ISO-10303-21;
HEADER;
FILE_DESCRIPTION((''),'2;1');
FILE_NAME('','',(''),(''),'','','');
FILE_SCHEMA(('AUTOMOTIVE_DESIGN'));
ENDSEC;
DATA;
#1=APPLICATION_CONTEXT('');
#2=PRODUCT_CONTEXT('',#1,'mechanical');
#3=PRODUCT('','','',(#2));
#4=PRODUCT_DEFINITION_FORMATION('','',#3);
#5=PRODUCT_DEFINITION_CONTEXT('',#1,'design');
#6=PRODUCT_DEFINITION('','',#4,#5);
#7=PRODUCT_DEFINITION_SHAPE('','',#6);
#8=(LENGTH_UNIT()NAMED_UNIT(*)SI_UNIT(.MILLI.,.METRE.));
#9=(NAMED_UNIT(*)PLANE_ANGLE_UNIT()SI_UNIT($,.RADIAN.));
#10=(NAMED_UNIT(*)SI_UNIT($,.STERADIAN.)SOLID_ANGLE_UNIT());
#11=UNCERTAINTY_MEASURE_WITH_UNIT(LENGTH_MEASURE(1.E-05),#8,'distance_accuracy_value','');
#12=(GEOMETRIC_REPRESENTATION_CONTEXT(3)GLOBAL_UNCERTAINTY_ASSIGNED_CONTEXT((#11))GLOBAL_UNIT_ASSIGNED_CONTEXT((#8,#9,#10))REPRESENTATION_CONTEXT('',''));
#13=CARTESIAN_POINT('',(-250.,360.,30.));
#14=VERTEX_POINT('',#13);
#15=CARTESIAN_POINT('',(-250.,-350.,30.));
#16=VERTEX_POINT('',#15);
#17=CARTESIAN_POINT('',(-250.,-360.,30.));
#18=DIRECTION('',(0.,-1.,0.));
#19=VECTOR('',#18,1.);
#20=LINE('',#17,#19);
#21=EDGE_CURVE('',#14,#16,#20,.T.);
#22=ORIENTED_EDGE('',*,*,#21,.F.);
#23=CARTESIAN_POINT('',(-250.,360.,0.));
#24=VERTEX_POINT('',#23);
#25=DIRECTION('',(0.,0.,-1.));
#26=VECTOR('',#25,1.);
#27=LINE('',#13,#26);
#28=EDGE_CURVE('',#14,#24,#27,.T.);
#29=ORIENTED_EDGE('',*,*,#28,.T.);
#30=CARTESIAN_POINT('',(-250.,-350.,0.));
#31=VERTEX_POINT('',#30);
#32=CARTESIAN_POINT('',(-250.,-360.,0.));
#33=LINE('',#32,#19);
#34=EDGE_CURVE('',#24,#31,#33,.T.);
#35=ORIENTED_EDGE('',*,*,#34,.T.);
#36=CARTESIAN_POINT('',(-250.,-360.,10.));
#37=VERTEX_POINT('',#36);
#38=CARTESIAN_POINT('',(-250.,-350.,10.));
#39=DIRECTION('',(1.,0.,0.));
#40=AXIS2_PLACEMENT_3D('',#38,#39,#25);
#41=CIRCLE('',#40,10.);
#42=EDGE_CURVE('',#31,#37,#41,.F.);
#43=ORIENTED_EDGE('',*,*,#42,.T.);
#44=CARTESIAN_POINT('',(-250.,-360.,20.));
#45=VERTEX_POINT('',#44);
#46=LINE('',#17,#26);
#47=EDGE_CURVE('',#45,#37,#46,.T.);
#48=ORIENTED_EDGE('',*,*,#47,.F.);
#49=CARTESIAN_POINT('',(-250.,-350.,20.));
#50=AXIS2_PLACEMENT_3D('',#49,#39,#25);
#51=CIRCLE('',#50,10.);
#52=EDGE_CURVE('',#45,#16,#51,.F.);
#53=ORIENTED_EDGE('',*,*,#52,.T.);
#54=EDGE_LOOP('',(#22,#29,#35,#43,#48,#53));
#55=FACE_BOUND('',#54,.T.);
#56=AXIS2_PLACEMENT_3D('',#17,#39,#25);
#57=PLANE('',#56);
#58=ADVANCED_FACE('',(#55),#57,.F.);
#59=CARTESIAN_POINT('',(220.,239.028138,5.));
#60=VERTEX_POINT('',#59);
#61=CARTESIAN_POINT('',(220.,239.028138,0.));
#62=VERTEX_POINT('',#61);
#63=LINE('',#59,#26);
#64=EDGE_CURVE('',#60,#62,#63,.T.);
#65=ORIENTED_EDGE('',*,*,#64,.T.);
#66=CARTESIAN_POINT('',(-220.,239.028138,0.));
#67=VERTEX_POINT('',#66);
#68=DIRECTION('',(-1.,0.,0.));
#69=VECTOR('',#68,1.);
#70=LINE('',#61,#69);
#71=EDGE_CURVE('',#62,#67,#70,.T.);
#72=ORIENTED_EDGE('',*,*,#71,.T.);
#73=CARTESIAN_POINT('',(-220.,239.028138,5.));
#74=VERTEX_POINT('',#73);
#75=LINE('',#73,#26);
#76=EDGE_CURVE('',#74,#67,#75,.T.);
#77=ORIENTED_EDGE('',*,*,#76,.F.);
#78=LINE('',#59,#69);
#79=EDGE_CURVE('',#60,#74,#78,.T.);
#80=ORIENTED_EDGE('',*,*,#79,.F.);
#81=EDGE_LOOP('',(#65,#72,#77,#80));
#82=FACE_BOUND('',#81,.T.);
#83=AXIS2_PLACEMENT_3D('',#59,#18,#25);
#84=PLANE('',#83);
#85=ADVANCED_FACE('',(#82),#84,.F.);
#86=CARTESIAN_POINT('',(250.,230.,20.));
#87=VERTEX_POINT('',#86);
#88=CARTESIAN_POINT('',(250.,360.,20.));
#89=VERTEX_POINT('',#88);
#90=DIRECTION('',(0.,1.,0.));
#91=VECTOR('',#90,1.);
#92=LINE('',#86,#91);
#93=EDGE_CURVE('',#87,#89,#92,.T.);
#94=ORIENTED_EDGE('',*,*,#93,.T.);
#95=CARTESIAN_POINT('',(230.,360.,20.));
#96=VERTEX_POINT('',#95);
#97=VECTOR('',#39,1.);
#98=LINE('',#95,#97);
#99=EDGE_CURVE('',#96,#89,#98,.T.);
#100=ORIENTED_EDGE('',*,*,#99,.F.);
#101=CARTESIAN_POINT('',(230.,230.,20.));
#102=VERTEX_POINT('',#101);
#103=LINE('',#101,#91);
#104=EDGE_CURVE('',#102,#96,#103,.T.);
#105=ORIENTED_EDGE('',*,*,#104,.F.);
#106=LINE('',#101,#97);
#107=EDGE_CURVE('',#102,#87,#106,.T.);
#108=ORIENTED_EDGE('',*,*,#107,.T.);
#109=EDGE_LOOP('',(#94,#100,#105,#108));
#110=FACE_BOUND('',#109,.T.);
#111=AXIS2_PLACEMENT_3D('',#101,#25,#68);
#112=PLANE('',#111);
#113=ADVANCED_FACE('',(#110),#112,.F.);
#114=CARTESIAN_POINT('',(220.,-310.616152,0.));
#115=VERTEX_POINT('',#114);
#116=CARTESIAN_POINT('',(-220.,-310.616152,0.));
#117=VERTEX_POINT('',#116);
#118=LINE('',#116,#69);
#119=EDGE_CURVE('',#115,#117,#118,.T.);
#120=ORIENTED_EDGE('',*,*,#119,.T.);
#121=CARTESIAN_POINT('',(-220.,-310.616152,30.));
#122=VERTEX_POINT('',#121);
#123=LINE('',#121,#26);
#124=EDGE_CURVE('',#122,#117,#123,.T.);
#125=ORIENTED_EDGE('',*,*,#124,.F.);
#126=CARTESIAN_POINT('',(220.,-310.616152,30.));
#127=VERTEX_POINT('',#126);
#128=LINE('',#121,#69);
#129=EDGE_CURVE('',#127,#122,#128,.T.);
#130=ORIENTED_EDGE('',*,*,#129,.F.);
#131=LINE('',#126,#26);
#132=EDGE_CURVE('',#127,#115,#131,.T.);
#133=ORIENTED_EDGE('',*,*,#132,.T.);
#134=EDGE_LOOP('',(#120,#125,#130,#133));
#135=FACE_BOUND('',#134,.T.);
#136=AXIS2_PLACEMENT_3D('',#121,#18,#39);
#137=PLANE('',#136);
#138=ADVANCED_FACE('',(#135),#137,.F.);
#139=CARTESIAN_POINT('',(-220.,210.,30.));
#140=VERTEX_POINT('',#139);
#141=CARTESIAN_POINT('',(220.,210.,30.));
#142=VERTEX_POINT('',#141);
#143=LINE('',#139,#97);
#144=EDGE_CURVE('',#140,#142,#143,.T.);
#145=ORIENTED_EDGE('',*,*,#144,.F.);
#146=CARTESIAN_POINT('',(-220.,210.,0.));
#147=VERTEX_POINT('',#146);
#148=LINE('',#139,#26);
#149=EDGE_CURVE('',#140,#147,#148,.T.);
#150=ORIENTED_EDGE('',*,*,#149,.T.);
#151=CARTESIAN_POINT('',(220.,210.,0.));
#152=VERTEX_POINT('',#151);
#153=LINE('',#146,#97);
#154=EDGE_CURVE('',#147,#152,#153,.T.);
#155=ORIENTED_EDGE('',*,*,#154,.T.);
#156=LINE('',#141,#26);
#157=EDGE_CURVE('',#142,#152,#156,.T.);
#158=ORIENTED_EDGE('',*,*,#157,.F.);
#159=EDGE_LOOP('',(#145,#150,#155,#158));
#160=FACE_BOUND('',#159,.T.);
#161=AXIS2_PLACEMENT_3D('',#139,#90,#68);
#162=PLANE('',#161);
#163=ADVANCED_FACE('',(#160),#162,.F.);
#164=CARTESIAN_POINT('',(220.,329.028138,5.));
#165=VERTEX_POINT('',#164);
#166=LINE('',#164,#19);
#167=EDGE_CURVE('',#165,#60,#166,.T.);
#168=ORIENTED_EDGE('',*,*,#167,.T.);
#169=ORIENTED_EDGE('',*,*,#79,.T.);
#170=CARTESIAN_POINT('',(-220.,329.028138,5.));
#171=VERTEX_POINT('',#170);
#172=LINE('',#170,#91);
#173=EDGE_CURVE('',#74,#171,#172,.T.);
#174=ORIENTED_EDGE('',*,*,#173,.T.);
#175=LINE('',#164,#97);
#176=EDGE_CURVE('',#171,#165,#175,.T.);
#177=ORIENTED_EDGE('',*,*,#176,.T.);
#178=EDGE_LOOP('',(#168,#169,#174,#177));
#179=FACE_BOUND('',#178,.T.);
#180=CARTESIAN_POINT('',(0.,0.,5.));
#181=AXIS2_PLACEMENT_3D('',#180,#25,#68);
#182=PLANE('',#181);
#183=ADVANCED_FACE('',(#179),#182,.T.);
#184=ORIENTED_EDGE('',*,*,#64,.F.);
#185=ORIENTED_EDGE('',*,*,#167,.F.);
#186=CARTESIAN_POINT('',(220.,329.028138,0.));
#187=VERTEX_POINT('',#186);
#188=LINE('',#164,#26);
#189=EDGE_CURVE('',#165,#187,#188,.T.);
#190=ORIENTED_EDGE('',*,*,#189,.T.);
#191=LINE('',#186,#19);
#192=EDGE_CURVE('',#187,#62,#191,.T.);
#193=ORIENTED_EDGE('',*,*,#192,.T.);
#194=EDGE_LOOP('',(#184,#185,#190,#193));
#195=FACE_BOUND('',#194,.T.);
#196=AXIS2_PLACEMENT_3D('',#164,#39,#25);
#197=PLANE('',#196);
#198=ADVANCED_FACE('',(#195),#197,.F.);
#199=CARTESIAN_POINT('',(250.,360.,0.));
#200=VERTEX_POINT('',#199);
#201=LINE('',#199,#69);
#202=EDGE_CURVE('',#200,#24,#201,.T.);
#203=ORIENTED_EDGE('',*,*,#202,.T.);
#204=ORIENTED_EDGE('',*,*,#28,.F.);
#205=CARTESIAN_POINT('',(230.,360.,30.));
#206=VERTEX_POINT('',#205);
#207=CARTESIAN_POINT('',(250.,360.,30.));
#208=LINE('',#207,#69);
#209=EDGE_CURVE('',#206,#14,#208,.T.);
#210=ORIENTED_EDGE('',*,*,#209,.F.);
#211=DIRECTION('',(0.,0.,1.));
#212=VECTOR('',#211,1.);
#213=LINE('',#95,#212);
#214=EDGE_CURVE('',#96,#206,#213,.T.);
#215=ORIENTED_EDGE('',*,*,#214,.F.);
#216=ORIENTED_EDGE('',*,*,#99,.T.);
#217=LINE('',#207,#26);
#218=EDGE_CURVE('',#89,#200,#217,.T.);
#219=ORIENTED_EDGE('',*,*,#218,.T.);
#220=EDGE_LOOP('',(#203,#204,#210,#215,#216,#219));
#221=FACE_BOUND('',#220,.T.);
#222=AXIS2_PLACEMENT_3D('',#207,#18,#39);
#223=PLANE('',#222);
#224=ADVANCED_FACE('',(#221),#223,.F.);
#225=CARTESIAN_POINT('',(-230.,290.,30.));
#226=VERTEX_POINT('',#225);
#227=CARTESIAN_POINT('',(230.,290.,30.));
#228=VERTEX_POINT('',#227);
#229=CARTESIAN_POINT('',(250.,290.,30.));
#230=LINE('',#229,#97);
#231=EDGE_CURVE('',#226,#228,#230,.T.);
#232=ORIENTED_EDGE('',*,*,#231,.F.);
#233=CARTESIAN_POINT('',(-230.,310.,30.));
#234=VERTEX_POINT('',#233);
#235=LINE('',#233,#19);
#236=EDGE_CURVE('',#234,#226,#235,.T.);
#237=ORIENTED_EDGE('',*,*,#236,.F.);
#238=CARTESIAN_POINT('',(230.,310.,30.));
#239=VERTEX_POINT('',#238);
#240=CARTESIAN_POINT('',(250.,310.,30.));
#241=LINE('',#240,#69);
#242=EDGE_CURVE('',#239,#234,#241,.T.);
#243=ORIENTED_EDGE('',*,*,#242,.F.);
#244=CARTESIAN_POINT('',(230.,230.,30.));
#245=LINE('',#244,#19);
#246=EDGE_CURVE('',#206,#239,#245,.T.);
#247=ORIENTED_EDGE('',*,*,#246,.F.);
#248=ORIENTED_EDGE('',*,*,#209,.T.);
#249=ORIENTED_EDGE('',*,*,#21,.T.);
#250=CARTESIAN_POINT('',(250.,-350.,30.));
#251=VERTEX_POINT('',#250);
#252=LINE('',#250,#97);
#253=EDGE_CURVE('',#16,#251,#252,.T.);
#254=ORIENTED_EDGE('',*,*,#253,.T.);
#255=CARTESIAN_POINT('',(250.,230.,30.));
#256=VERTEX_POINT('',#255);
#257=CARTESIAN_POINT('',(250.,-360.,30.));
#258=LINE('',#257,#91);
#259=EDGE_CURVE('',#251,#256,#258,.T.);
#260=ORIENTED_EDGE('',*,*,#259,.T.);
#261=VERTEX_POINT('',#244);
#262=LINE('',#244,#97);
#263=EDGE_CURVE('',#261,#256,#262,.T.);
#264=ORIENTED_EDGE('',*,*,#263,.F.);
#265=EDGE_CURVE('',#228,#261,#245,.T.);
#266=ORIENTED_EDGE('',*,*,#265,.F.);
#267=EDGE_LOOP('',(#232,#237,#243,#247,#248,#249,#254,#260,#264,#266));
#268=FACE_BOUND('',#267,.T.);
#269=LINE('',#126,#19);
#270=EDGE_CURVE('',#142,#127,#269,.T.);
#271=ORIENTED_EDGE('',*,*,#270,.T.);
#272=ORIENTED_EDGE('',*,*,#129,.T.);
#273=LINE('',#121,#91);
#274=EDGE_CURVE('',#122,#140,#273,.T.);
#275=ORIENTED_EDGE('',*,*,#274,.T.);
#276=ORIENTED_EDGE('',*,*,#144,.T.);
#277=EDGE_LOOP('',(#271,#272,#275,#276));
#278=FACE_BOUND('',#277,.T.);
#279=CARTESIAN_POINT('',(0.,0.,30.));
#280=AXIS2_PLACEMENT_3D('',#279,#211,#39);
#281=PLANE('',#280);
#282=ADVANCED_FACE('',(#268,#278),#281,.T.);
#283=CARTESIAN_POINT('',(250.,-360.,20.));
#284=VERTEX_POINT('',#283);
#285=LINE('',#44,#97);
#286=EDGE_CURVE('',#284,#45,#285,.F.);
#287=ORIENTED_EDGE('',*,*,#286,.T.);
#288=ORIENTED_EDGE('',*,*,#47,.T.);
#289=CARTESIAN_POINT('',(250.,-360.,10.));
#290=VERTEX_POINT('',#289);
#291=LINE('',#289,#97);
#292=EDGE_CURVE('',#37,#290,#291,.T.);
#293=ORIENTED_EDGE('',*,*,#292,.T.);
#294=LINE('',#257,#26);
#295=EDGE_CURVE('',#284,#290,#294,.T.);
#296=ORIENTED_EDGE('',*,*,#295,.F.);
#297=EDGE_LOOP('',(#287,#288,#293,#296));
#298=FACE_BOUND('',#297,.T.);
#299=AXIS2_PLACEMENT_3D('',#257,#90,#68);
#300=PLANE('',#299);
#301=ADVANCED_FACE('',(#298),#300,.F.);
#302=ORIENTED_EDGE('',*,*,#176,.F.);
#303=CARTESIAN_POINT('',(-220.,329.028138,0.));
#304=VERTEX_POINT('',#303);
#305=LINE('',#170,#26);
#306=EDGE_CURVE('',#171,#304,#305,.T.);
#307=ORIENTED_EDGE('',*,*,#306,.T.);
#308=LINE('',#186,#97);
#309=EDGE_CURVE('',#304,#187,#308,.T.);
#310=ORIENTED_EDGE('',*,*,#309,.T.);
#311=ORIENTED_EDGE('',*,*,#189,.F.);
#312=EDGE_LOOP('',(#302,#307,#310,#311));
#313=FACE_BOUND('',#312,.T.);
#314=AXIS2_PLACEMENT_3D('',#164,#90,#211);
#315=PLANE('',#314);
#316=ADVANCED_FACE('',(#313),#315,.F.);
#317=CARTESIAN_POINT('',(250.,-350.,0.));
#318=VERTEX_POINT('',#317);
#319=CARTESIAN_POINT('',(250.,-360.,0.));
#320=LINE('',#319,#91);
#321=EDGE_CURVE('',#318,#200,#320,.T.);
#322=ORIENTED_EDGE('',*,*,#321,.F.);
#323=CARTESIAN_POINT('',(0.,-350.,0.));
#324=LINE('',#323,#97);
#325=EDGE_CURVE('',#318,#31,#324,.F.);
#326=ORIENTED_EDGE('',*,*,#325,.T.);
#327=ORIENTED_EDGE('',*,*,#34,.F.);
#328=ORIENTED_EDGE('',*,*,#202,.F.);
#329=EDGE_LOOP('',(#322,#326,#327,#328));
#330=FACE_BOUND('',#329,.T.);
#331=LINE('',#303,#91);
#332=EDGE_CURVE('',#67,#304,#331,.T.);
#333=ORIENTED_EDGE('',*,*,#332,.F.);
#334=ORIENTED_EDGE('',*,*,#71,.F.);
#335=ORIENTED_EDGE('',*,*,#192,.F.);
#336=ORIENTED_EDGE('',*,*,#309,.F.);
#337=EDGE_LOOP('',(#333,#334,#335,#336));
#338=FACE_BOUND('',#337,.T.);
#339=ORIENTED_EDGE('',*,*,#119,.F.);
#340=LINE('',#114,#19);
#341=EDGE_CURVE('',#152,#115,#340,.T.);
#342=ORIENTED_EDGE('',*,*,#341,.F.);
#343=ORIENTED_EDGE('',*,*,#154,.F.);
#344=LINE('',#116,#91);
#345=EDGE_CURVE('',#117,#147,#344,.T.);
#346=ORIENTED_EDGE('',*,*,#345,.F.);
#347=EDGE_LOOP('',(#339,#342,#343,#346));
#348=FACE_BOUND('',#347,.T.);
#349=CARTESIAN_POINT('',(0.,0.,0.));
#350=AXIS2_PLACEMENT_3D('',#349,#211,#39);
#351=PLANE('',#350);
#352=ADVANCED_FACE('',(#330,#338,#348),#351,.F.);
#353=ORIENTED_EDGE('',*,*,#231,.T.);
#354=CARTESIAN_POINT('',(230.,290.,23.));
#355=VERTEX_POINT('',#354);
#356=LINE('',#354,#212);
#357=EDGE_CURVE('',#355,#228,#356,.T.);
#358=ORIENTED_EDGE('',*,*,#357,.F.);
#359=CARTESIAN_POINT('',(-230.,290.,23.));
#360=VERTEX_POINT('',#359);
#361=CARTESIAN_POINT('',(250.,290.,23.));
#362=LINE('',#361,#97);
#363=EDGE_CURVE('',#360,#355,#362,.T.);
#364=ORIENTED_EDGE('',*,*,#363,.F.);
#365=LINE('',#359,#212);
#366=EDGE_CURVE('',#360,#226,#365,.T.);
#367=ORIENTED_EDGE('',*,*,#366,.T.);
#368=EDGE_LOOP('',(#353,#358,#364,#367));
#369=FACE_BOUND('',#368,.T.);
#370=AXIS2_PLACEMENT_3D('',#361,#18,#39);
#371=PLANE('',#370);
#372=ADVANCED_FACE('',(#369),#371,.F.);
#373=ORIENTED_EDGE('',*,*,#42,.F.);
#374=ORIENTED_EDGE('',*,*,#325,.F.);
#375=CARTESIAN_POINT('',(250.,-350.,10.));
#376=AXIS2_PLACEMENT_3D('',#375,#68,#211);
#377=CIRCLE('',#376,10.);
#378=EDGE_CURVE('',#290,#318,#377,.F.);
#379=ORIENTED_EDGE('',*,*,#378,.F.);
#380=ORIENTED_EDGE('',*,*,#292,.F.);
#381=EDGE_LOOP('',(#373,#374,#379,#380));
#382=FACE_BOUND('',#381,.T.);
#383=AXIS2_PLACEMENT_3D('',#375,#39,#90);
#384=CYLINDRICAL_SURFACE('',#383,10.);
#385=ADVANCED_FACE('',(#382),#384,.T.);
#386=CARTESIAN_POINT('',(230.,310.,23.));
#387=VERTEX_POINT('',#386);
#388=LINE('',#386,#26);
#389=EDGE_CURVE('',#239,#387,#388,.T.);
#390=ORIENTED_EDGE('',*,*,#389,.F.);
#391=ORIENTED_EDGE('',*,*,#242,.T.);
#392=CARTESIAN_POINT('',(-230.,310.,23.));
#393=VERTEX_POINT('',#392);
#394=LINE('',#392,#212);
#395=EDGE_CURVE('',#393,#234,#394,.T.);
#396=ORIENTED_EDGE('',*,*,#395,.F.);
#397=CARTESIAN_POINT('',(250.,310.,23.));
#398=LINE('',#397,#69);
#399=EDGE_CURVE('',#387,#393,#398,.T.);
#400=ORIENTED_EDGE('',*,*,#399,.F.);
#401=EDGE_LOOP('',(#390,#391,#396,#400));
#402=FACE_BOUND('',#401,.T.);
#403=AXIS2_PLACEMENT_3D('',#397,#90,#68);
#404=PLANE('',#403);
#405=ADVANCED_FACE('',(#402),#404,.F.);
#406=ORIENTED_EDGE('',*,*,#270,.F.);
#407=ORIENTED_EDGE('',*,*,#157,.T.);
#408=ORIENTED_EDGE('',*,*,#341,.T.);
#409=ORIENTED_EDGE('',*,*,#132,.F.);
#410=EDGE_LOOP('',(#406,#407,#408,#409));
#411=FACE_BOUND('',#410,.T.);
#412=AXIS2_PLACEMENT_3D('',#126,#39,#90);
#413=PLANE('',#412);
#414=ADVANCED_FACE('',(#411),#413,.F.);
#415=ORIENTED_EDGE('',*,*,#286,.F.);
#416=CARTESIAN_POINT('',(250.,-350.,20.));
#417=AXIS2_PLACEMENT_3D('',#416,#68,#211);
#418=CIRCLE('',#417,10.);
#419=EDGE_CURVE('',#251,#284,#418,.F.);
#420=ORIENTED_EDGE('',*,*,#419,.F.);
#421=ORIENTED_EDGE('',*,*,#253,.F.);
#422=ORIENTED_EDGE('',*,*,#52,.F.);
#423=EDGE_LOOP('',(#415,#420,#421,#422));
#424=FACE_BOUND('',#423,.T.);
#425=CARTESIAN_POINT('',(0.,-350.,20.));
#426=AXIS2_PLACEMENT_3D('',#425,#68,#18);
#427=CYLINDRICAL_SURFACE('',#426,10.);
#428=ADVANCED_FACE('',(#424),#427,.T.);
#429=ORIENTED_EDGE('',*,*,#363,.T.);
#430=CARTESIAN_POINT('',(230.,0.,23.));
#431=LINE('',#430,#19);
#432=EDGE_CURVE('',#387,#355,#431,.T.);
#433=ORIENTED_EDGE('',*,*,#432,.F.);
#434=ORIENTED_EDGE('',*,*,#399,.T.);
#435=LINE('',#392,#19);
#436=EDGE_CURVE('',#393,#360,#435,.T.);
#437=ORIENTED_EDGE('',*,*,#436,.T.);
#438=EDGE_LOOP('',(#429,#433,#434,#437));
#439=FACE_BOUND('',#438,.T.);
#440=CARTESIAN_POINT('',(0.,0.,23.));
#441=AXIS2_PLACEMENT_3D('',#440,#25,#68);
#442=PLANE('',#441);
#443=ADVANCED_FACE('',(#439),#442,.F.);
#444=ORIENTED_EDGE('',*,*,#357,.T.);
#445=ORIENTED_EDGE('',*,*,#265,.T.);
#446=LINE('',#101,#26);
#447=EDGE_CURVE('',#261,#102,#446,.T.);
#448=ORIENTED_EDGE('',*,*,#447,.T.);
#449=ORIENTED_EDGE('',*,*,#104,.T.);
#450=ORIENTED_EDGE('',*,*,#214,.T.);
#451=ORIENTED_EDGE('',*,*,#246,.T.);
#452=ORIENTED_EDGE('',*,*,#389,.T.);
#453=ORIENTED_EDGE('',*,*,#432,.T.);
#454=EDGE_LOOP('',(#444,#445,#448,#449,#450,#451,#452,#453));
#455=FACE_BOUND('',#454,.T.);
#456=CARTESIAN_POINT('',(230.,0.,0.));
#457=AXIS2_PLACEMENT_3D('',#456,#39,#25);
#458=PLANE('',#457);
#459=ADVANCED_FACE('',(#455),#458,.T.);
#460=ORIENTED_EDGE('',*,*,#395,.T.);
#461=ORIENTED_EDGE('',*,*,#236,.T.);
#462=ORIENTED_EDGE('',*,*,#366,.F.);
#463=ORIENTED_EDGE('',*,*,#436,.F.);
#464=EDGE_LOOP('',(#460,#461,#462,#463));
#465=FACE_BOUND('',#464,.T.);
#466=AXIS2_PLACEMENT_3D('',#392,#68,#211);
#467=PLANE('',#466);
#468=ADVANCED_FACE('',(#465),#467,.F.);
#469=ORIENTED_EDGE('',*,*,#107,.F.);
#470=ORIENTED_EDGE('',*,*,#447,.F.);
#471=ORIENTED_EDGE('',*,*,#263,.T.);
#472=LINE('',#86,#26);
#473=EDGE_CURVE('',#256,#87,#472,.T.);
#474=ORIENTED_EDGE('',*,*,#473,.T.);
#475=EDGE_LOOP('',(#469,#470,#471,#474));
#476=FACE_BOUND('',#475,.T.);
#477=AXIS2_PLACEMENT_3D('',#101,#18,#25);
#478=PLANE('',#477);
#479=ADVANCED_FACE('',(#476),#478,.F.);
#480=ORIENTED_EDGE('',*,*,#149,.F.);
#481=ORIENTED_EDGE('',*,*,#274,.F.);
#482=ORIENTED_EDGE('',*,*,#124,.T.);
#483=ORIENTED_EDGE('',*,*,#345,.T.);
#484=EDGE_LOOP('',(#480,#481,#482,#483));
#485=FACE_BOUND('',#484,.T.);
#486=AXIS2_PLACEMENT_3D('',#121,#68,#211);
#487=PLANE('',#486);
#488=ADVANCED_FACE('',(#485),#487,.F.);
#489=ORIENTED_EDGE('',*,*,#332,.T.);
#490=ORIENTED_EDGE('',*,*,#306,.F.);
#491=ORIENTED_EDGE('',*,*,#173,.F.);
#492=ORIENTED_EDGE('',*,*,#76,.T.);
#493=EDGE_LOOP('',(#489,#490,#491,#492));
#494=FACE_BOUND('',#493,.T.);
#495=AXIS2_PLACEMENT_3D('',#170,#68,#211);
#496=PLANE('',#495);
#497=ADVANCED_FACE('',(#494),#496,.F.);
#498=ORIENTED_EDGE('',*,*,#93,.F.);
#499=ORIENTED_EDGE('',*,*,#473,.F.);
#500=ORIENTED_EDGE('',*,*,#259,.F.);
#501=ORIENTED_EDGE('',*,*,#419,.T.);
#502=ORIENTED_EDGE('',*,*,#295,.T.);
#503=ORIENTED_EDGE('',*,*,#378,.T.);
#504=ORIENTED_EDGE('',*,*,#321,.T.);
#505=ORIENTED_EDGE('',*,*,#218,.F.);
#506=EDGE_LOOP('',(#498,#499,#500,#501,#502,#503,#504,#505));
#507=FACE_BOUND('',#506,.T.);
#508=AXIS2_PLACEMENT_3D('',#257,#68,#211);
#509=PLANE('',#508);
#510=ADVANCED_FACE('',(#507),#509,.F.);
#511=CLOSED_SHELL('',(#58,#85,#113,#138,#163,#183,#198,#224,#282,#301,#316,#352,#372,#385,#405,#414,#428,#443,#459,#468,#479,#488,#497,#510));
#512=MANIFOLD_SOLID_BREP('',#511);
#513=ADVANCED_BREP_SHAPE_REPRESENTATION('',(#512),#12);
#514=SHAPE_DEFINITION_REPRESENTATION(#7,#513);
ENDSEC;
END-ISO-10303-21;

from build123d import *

# Parameters (mm, degrees)
CROQUIS2_W              = 500
CROQUIS2_H              = 720
SALIENTE_EXTRUIR1_DEPTH = 30
CROQUIS3_W              = 440
CROQUIS3_H              = 520.616152256
CORTAR_EXTRUIR1_DEPTH   = 440.31765273
REDONDEO1_R             = 10
REDONDEO2_R             = 10
CROQUIS4_W              = 440
CROQUIS4_H              = 90
CORTAR_EXTRUIR4_DEPTH   = 5
CROQUIS9_W              = 480
CROQUIS9_H              = 20
CORTAR_EXTRUIR6_DEPTH   = 7
CROQUIS10_W             = 10
CROQUIS10_H             = 130
CORTAR_EXTRUIR7_DEPTH   = 20


with BuildPart() as part:
    # Croquis2 → Saliente-Extruir1 (new body)
    with BuildSketch(Plane.XY):
        Rectangle(CROQUIS2_W, CROQUIS2_H)
    extrude(amount=SALIENTE_EXTRUIR1_DEPTH)

    # Croquis3 → Cortar-Extruir1 (cut, through all)
    with BuildSketch(Plane(origin=(0, 0, 0), x_dir=(-1, 0, 0), z_dir=(0, 0, -1))):
        with Locations((0, -50.308076128)):
            Rectangle(CROQUIS3_W, CROQUIS3_H)
    extrude(amount=-CORTAR_EXTRUIR1_DEPTH, mode=Mode.SUBTRACT)

    # Redondeo1
    redondeo1_edges = [part.edges().sort_by_distance(p)[0] for p in [
        (0, -360, 0),
    ]]
    fillet(redondeo1_edges, radius=REDONDEO1_R)

    # Redondeo2
    redondeo2_edges = [part.edges().sort_by_distance(p)[0] for p in [
        (0, -360, 30),
    ]]
    fillet(redondeo2_edges, radius=REDONDEO2_R)

    # Croquis4 → Cortar-Extruir4 (cut)
    with BuildSketch(Plane(origin=(0, 0, 0), x_dir=(-1, 0, 0), z_dir=(0, 0, -1))):
        with Locations((0, 284.028138346)):
            Rectangle(CROQUIS4_W, CROQUIS4_H)
    extrude(amount=-CORTAR_EXTRUIR4_DEPTH, mode=Mode.SUBTRACT)

    # Croquis9 → Cortar-Extruir6 (cut)
    with BuildSketch(Plane.XY.offset(30)):
        with Locations((10, 300)):
            Rectangle(CROQUIS9_W, CROQUIS9_H)
    extrude(amount=-CORTAR_EXTRUIR6_DEPTH, mode=Mode.SUBTRACT)

    # Croquis10 → Cortar-Extruir7 (cut)
    with BuildSketch(Plane(origin=(250, 0, 0), x_dir=(0, 0, -1), z_dir=(1, 0, 0))):
        with Locations((-25, 295)):
            Rectangle(CROQUIS10_W, CROQUIS10_H)
    extrude(amount=-CORTAR_EXTRUIR7_DEPTH, mode=Mode.SUBTRACT)


solid = part.part
